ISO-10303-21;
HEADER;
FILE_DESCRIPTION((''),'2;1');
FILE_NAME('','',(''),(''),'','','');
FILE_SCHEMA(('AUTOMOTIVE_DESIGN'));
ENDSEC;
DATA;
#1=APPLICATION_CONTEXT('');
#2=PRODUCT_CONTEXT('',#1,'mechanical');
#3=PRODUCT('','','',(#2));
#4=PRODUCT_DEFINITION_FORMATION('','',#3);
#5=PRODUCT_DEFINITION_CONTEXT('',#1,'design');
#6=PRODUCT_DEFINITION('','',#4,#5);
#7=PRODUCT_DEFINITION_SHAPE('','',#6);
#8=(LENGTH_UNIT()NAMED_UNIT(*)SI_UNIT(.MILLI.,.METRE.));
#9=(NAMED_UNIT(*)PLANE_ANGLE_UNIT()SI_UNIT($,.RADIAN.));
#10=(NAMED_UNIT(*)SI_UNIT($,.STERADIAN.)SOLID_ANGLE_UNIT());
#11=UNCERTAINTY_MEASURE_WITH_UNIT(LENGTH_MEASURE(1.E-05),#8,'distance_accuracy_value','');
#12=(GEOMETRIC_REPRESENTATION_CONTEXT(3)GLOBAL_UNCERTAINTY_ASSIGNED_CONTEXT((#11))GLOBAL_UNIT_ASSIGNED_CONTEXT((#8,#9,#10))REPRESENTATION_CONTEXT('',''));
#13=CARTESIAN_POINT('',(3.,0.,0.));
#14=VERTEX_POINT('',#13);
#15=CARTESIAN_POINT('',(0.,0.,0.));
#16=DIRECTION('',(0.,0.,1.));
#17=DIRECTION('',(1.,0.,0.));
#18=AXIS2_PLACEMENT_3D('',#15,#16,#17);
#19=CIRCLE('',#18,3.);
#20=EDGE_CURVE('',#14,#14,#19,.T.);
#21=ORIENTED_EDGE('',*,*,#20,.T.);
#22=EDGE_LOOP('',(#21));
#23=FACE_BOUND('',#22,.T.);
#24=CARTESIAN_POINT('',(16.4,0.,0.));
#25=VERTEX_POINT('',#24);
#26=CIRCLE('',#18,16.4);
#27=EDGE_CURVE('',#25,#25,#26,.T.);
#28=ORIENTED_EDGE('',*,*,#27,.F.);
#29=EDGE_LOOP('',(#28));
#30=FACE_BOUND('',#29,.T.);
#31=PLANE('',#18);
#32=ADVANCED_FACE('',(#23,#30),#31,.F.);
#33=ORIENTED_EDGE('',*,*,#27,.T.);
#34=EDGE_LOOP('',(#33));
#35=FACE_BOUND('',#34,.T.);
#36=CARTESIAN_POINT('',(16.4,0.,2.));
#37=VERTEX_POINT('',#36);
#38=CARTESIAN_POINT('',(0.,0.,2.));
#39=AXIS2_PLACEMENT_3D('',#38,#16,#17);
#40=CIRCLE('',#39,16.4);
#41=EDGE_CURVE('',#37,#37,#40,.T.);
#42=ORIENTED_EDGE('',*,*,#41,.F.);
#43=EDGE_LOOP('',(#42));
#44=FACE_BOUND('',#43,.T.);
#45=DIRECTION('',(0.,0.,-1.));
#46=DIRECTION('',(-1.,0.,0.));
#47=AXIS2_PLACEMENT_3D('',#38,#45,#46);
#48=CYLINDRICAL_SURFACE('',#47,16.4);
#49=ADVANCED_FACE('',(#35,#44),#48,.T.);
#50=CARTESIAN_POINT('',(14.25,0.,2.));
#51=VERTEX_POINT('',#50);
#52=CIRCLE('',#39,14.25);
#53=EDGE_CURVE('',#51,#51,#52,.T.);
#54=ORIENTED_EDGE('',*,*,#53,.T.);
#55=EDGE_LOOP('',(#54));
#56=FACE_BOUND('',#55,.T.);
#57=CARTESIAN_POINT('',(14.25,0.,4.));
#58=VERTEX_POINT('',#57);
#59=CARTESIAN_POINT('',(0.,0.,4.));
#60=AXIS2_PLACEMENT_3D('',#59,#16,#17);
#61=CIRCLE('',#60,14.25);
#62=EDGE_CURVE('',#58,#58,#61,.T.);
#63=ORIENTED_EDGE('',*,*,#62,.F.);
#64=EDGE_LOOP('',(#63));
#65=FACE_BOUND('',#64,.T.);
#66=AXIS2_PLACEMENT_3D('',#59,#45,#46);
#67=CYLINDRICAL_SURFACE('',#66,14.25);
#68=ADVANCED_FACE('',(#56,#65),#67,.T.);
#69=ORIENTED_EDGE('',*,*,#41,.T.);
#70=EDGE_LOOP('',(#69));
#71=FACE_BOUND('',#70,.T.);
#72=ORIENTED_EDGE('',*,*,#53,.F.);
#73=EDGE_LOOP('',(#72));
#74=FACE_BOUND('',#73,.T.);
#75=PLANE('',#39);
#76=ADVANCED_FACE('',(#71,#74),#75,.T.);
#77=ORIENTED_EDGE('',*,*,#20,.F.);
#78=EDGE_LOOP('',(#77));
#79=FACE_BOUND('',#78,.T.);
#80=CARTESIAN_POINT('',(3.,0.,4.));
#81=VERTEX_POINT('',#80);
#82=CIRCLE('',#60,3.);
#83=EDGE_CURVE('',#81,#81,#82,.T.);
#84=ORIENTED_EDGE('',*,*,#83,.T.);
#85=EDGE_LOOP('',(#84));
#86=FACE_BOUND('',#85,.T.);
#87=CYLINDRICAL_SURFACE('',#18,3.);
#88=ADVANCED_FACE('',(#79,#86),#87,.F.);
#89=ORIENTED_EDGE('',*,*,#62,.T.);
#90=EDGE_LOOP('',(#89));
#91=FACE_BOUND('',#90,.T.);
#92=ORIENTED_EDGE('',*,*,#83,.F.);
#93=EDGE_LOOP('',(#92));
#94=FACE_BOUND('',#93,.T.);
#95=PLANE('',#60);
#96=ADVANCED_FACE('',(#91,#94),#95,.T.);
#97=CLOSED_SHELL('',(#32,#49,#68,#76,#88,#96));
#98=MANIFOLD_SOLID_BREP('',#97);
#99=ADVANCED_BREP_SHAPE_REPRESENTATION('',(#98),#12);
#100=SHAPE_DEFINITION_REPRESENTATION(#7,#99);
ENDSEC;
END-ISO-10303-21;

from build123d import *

# Parameters (mm, degrees)
ESQUISSE1_R             = 16.4
BOSS_EXTRU_1_DEPTH      = 2
ESQUISSE2_R             = 14.25
BOSS_EXTRU_2_DEPTH      = 2
ESQUISSE3_R             = 3
ENL_V_MAT_EXTRU_1_DEPTH = 5


with BuildPart() as part:
    # Esquisse1 → Boss.-Extru.1 (new body)
    with BuildSketch(Plane.XY):
        Circle(ESQUISSE1_R)
    extrude(amount=BOSS_EXTRU_1_DEPTH)

    # Esquisse2 → Boss.-Extru.2 (add)
    with BuildSketch(Plane.XY.offset(2)):
        Circle(ESQUISSE2_R)
    extrude(amount=BOSS_EXTRU_2_DEPTH)

    # Esquisse3 → Enlèv. mat.-Extru.1 (cut, through all)
    with BuildSketch(Plane.XY.offset(4)):
        Circle(ESQUISSE3_R)
    extrude(amount=-ENL_V_MAT_EXTRU_1_DEPTH, mode=Mode.SUBTRACT)


solid = part.part
